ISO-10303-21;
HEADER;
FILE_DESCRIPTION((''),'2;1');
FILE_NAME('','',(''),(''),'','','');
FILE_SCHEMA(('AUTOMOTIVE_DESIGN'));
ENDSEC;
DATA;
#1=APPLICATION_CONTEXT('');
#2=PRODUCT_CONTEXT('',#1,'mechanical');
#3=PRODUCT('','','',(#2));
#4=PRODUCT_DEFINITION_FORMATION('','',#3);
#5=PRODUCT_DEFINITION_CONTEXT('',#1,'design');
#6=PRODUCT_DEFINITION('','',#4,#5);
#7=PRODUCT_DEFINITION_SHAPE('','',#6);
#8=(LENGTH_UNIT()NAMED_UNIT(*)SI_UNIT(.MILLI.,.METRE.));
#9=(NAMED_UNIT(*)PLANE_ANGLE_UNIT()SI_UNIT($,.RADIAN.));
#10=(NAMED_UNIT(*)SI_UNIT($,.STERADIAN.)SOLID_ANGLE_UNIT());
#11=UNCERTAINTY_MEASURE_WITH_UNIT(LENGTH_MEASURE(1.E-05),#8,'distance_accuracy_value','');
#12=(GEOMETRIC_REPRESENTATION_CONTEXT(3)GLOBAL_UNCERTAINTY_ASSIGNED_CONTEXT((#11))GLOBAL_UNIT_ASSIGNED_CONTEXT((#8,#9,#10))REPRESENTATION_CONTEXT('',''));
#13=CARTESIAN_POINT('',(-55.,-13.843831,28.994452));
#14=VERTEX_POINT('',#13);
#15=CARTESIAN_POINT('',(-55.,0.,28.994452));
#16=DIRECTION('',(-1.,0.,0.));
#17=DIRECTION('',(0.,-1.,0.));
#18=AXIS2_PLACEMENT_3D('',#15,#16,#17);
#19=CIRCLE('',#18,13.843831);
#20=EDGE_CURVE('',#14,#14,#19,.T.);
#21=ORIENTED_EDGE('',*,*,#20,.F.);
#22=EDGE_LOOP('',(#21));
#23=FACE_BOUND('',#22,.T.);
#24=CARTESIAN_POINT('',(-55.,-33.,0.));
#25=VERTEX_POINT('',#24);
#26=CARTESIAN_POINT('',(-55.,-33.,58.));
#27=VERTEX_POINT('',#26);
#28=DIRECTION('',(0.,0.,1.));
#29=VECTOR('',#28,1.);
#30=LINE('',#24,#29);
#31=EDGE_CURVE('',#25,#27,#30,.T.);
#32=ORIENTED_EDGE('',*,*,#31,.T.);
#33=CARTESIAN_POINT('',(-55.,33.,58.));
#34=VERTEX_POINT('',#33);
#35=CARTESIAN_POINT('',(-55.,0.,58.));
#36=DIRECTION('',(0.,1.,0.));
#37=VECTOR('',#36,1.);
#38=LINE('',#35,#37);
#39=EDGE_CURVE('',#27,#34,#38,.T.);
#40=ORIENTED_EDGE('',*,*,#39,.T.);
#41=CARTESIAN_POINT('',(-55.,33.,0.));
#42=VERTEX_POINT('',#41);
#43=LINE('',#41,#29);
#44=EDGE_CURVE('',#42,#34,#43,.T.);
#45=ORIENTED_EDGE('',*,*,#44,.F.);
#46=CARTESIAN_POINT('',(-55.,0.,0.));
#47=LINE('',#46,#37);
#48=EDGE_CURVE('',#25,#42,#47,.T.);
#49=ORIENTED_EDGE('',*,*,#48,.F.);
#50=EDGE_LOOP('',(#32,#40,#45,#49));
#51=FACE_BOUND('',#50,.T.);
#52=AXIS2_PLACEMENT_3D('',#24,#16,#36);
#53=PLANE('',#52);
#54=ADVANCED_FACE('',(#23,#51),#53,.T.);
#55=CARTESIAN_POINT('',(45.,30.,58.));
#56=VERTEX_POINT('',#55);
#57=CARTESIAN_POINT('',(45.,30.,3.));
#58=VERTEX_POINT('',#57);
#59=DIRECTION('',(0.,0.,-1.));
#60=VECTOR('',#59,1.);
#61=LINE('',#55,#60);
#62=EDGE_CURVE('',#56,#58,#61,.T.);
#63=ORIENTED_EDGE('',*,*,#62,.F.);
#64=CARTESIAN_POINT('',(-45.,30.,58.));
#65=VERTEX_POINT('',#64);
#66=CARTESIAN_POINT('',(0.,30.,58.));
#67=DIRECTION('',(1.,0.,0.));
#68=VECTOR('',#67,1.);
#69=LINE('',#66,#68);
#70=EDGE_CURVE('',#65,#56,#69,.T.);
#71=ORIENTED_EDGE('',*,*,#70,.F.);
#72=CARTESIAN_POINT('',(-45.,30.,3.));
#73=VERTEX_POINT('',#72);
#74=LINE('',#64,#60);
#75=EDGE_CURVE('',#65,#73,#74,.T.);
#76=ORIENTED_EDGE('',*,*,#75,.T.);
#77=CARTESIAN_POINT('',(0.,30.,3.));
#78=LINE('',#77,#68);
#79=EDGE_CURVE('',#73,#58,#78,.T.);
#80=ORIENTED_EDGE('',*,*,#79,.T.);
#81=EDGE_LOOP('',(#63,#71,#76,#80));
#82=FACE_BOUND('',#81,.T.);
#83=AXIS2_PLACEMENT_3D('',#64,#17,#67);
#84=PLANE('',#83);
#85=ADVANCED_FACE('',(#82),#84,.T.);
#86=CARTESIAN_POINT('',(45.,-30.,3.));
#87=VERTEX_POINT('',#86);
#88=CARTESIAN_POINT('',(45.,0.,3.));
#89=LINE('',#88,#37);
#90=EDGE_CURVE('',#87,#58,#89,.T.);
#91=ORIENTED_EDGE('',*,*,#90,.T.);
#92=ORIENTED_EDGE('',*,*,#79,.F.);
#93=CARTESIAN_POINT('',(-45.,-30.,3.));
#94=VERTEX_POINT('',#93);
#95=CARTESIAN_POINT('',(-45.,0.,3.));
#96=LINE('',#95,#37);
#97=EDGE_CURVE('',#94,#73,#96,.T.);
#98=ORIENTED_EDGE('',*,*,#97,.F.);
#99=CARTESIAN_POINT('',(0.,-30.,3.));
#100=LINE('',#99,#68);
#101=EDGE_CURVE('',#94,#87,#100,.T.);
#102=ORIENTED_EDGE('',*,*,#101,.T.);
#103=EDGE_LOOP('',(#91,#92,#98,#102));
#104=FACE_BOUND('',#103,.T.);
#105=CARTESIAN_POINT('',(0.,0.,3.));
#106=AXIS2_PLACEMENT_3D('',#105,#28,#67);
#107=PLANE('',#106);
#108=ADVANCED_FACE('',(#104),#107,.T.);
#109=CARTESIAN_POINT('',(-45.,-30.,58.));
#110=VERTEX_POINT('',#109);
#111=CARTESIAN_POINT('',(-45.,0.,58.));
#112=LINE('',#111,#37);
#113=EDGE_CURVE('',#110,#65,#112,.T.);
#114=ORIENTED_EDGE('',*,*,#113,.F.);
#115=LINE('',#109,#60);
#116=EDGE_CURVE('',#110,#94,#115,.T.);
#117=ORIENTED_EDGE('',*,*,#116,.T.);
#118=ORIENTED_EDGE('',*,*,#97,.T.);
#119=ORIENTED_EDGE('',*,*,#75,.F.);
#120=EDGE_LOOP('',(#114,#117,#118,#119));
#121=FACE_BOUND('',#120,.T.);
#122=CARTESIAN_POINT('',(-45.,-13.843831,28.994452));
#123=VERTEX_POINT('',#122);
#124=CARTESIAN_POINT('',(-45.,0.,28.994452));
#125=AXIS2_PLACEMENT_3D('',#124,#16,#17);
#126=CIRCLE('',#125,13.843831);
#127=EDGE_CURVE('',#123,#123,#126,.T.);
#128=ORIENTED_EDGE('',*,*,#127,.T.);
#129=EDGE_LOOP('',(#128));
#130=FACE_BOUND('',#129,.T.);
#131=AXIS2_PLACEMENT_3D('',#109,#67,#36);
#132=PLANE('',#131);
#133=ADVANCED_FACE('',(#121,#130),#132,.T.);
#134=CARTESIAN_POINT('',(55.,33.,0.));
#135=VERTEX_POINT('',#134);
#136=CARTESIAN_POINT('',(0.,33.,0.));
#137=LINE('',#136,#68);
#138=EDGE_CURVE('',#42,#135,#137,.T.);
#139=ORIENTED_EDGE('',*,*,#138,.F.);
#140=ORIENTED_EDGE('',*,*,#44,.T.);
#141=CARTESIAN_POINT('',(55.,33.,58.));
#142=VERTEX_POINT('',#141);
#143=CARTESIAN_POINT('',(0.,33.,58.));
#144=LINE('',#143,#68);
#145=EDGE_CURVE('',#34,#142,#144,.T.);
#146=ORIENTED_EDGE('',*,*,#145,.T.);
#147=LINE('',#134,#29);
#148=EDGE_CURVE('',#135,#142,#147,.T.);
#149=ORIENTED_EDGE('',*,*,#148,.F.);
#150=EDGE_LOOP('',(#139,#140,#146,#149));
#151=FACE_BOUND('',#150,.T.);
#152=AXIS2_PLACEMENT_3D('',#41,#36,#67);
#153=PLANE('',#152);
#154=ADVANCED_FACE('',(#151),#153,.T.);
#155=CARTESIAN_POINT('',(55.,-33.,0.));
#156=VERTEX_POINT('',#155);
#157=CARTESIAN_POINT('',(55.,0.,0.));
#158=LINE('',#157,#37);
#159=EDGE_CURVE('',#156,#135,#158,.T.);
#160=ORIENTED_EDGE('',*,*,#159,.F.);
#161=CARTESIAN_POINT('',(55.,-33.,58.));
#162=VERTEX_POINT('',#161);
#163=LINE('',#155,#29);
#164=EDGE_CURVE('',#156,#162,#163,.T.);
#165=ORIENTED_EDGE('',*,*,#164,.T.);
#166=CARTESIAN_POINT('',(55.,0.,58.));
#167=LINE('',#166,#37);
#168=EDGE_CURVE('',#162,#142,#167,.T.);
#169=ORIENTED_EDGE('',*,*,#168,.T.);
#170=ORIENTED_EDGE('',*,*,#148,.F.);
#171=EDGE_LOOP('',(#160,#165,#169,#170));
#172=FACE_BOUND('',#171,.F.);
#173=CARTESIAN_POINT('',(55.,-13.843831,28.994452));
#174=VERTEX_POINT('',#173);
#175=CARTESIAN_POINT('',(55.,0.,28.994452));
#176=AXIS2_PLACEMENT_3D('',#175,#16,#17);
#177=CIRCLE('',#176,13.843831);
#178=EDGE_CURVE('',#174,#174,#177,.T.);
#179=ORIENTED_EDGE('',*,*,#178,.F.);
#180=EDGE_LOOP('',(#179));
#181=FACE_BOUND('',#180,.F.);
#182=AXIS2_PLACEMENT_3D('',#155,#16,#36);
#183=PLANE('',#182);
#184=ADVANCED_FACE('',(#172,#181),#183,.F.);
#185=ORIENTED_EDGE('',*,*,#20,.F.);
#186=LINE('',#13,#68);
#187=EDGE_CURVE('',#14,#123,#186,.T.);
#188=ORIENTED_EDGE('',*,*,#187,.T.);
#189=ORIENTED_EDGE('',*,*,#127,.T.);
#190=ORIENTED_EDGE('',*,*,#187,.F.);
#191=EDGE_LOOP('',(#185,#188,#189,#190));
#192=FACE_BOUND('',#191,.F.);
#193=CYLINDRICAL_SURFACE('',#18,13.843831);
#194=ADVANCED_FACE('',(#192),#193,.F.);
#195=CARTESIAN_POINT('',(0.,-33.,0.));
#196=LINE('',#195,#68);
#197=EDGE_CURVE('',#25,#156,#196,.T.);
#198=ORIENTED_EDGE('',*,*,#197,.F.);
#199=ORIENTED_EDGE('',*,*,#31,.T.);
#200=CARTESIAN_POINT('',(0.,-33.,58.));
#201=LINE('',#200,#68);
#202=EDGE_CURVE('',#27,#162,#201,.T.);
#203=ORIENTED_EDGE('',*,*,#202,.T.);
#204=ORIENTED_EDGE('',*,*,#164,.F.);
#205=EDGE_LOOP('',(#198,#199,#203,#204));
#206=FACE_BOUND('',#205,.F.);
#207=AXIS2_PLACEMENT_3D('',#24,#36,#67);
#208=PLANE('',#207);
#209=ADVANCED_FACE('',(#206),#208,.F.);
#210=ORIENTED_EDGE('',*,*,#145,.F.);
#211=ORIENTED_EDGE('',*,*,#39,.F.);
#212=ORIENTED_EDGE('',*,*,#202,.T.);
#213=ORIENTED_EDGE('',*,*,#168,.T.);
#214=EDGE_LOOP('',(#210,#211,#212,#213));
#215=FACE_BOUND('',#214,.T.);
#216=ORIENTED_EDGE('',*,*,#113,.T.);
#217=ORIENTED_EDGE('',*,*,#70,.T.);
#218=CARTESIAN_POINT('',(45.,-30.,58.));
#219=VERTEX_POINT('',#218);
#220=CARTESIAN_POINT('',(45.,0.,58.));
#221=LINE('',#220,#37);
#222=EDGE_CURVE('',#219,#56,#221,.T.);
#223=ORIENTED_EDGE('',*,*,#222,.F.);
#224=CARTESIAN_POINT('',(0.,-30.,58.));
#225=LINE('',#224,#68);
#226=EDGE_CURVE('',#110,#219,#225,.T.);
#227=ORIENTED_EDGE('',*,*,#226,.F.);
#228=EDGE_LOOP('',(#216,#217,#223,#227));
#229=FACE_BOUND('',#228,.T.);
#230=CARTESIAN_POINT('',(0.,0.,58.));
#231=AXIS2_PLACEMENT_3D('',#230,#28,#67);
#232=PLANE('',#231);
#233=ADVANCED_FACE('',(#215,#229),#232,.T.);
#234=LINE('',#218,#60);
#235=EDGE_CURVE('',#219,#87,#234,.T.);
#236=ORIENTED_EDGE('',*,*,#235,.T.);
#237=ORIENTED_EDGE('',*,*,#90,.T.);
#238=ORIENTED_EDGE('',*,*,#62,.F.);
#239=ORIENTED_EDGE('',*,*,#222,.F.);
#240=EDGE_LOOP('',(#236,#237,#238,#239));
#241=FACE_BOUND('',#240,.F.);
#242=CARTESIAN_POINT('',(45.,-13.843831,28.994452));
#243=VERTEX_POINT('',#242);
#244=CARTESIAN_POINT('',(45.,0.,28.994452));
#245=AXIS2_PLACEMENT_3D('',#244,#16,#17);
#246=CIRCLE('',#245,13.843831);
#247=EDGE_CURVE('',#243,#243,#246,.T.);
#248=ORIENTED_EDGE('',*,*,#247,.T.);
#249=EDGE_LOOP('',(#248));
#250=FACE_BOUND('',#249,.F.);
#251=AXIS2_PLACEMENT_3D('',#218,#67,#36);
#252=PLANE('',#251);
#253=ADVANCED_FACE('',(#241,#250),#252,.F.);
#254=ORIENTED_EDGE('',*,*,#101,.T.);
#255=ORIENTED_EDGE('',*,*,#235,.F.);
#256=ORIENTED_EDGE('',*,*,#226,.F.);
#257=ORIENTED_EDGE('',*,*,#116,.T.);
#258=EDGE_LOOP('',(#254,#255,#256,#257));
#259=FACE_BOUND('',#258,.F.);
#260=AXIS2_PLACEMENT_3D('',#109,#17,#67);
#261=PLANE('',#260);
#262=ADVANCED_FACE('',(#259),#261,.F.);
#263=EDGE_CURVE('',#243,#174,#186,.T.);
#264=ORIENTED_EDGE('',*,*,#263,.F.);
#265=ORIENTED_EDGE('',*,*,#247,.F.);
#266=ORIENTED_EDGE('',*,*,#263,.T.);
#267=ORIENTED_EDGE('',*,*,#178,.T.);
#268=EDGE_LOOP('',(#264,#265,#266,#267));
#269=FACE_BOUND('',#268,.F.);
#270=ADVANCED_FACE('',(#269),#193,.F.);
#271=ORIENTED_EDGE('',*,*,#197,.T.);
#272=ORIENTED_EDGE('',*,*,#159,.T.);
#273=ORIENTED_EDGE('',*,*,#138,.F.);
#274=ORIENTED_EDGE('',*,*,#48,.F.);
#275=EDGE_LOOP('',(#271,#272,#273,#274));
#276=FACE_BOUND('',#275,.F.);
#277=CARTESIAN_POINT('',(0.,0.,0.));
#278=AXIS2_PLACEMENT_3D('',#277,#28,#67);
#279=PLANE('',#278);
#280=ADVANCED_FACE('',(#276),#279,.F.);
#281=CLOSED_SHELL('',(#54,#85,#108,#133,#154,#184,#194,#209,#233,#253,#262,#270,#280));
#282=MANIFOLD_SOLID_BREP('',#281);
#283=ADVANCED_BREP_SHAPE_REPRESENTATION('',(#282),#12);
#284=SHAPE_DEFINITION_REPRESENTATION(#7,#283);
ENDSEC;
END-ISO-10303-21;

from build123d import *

# Parameters (mm, degrees)
F0_W     = 110
F0_H     = 66
F1_DEPTH = 58
F2_W     = 90
F2_H     = 60
F3_DEPTH = 55
F5_R     = 13.843831
F6_DEPTH = 115


with BuildPart() as f1:
    # F0 (on Top) → F1 (new body)
    with BuildSketch(Plane.XY):
        Rectangle(F0_W, F0_H)
    extrude(amount=F1_DEPTH)

    # F2 (on face) → F3 (cut)
    with BuildSketch(Plane.XY.offset(58)):
        Rectangle(F2_W, F2_H)
    extrude(amount=-F3_DEPTH, mode=Mode.SUBTRACT)

    # F5 (on face) → F6 (cut)
    with BuildSketch(Plane(origin=(-55, 0, 0), x_dir=(0, -1, 0), z_dir=(-1, 0, 0))):
        with Locations((0, 28.994452)):
            Circle(F5_R)
    extrude(amount=-F6_DEPTH, mode=Mode.SUBTRACT)


solid = f1.part
